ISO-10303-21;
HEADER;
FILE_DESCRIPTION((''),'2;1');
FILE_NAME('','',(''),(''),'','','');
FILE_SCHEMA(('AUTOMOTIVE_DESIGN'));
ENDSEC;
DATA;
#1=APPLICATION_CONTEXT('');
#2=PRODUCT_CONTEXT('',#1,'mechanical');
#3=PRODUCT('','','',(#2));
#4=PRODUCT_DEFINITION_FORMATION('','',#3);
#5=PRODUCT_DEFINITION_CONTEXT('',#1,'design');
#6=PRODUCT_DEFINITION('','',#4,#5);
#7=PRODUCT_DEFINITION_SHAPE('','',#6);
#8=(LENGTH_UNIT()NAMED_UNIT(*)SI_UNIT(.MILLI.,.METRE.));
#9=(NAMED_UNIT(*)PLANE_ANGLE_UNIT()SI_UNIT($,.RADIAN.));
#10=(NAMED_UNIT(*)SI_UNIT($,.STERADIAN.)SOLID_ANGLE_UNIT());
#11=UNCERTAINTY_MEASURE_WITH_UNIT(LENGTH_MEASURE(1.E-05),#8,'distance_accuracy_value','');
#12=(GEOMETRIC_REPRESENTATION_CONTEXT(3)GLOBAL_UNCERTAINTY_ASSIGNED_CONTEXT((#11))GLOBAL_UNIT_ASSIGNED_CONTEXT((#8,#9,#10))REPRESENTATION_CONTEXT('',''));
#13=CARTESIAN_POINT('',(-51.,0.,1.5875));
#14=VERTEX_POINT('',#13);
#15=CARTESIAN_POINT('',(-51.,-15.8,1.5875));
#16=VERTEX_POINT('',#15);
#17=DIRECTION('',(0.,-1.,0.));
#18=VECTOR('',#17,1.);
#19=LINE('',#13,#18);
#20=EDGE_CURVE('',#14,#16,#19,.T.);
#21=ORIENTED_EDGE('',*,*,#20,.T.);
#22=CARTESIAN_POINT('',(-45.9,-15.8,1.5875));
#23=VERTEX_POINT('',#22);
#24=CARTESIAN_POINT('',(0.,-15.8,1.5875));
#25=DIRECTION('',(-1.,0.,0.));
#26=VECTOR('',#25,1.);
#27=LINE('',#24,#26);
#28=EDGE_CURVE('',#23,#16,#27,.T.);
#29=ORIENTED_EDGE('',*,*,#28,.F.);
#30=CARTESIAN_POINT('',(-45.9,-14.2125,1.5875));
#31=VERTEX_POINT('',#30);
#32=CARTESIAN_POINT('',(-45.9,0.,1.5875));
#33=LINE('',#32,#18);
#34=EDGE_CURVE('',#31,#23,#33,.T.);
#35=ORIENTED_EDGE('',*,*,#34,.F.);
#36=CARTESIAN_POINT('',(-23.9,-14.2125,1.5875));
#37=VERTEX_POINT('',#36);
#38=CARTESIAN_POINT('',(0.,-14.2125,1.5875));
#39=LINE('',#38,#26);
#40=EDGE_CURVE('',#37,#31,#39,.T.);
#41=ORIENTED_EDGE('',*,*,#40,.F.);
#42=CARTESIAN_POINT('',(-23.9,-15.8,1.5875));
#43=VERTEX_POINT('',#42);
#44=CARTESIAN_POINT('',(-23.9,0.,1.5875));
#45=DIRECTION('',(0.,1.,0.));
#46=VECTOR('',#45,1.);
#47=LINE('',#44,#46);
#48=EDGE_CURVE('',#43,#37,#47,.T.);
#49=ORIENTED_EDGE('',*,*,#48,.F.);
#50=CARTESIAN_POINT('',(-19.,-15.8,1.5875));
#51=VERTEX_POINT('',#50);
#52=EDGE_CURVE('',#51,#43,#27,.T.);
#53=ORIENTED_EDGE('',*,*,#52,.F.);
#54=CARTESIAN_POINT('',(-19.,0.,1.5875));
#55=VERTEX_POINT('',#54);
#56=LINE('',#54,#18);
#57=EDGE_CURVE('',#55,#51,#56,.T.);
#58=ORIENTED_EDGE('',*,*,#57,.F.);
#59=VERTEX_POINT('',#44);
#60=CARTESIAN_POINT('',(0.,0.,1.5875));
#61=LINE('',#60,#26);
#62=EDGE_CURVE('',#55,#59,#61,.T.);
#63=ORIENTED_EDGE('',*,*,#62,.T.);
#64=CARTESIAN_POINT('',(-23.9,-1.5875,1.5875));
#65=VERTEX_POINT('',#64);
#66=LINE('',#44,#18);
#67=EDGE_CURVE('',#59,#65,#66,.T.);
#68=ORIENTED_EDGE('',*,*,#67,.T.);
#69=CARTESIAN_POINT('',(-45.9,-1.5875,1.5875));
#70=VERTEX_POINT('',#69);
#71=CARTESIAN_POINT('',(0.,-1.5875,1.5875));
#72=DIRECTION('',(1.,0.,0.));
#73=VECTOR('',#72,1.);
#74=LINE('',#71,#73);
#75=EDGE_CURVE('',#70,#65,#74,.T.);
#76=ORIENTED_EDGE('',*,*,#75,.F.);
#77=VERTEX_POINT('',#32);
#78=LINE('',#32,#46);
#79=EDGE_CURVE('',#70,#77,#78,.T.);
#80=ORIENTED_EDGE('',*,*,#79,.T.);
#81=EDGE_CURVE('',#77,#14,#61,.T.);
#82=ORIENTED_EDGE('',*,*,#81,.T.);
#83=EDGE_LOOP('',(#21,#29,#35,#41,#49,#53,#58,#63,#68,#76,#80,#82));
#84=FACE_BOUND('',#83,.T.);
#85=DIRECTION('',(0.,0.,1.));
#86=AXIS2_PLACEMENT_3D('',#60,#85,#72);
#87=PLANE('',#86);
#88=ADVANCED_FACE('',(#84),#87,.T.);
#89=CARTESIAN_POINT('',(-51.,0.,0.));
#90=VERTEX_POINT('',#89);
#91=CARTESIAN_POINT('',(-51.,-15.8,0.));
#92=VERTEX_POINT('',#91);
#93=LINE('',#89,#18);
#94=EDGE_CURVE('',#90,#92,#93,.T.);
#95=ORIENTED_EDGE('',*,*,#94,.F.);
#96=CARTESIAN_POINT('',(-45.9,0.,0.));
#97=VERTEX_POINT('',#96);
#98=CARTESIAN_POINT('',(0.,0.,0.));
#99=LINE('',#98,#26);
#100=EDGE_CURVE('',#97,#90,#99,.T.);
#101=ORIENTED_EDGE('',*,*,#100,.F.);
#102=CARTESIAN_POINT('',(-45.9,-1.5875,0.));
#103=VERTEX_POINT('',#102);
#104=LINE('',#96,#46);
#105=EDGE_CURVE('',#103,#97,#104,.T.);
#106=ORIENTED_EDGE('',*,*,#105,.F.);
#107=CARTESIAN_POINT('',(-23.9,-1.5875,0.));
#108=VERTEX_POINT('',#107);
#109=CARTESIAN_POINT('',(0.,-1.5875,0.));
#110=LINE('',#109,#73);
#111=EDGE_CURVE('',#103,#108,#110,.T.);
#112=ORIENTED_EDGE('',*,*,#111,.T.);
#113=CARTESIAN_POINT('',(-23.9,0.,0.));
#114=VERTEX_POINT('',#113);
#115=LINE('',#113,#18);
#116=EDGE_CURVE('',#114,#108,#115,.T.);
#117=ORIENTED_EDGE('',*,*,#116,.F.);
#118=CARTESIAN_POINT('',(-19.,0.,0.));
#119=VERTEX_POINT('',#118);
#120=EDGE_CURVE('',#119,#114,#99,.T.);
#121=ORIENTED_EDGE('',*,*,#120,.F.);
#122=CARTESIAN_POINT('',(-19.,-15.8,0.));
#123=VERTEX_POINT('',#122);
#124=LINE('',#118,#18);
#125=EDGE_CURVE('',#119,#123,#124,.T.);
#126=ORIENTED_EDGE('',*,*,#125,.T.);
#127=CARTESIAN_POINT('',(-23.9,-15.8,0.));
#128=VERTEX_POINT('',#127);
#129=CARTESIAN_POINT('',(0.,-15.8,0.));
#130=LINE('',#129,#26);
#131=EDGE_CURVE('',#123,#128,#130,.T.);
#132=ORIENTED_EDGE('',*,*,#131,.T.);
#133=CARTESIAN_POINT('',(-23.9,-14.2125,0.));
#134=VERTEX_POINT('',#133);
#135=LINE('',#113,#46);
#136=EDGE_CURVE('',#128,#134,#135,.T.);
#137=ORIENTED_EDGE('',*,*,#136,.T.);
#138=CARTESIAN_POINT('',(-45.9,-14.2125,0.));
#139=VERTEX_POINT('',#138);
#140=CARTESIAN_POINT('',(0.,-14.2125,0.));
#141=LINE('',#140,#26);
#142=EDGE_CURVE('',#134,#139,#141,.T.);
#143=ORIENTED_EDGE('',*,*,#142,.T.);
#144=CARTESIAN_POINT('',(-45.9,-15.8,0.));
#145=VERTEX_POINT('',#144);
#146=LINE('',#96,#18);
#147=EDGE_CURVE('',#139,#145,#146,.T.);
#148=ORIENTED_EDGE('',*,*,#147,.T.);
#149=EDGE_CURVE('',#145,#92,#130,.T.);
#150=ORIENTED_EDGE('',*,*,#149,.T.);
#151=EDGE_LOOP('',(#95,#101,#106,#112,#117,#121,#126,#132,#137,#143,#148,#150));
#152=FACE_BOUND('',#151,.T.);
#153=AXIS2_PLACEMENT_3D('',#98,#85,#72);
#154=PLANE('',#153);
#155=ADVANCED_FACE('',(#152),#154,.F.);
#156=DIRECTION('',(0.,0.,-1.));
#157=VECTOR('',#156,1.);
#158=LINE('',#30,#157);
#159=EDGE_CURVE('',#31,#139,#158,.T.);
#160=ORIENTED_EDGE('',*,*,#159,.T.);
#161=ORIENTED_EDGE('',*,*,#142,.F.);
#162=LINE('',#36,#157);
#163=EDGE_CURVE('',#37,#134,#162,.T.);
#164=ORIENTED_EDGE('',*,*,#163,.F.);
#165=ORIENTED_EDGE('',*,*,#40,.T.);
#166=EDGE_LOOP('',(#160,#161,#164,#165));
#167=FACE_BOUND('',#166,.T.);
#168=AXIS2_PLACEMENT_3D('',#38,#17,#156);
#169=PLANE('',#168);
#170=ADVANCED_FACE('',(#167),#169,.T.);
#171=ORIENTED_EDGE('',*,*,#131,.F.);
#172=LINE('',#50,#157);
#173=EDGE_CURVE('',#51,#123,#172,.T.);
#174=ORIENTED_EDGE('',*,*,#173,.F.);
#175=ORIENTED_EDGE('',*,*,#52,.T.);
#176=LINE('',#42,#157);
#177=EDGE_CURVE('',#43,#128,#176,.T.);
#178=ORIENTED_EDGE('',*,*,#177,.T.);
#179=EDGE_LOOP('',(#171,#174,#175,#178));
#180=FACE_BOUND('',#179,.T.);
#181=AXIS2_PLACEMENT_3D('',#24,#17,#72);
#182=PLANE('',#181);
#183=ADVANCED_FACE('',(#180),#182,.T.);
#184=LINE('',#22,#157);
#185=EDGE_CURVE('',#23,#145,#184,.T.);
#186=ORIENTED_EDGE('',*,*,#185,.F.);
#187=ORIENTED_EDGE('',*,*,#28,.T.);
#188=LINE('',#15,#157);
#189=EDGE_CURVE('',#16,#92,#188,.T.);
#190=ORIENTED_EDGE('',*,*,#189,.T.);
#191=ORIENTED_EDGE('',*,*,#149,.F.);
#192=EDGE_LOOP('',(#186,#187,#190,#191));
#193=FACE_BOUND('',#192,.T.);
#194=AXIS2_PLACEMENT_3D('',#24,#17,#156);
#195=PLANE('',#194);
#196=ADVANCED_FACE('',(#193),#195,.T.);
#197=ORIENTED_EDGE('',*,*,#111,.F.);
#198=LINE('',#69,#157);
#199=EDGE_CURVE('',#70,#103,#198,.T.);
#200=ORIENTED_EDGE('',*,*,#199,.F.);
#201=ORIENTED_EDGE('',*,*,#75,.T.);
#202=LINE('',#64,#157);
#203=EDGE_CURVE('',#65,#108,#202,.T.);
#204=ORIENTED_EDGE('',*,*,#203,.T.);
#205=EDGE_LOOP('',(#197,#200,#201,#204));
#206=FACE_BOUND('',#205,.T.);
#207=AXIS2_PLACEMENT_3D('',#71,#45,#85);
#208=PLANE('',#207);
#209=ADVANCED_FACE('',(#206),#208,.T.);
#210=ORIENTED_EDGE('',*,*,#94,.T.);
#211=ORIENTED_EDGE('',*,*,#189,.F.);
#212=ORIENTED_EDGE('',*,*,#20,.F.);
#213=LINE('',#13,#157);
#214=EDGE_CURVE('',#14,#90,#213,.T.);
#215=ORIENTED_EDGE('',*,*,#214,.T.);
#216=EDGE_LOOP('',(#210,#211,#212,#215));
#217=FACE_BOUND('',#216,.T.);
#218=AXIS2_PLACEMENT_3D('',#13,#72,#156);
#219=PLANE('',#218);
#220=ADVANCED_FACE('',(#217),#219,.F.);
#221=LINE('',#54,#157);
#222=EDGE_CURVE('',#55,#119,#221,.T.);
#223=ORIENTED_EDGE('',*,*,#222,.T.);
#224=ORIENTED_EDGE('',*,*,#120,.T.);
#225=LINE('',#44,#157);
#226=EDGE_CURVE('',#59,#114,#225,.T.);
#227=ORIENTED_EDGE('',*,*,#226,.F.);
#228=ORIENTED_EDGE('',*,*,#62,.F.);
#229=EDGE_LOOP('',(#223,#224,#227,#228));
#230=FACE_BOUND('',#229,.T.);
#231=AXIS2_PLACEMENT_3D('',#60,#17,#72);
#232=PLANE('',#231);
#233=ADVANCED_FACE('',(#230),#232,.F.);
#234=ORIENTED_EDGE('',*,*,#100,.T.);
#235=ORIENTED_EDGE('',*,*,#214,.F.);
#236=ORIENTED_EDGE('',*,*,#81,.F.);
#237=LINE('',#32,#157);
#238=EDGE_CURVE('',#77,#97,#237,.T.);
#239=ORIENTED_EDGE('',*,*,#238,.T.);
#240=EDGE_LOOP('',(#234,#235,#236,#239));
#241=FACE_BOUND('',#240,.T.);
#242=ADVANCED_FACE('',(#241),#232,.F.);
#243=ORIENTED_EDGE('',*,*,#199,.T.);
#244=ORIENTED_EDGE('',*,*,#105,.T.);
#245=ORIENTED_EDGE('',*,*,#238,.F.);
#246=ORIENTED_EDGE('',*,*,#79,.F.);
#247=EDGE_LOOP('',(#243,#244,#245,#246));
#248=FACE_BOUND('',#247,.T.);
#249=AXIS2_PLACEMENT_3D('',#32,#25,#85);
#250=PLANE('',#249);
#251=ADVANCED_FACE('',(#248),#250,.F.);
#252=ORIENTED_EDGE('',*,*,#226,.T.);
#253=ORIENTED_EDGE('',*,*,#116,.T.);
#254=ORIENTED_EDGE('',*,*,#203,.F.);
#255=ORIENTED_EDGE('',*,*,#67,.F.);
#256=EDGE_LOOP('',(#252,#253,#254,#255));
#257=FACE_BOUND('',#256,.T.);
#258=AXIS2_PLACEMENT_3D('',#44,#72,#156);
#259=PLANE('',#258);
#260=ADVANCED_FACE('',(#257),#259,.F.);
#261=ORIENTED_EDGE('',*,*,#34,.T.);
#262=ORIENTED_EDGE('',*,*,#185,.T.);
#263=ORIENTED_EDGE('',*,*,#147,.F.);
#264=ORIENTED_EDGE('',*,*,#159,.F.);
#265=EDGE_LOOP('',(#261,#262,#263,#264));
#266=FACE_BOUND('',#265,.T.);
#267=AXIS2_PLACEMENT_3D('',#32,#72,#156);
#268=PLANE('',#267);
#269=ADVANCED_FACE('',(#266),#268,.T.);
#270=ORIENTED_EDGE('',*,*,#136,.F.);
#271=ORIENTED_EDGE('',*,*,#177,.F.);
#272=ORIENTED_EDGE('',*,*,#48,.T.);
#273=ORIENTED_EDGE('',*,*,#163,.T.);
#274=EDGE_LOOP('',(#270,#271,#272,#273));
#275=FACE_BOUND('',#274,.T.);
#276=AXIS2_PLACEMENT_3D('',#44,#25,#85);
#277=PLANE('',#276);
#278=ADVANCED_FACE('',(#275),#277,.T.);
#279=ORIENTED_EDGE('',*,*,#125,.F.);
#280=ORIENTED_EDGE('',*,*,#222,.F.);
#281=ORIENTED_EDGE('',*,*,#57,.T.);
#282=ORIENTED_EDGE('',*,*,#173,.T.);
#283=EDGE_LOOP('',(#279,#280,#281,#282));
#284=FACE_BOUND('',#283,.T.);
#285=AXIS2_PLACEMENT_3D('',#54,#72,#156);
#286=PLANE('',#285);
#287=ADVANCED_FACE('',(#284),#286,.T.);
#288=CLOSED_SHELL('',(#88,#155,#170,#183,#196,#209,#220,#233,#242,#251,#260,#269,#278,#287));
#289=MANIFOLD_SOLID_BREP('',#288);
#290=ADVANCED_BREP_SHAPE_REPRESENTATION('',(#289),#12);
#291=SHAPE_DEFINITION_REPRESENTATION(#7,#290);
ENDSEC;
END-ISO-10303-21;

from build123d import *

# Parameters (mm, degrees)
SKETCH2_W           = 5.1
SKETCH2_H           = 1.5875
SKETCH2_W_2         = 4.9
BOSS_EXTRUDE1_DEPTH = 1.5875


with BuildPart() as part:
    # Sketch2 → Boss-Extrude1 (new body)
    with BuildSketch(Plane.XY):
        Polygon((-19, -7.9), (-51, -7.9), (-51, -14.2125), (-45.9, -14.2125), (-23.9, -14.2125), (-19, -14.2125), align=None)
        with Locations((-48.45, -15.00625)):
            Rectangle(SKETCH2_W, SKETCH2_H)
        Polygon((-23.9, -1.5875), (-45.9, -1.5875), (-51, -1.5875), (-51, -7.9), (-19, -7.9), (-19, -1.5875), align=None)
        with Locations((-48.45, -0.79375)):
            Rectangle(SKETCH2_W, SKETCH2_H)
        with Locations((-21.45, -0.79375)):
            Rectangle(SKETCH2_W_2, SKETCH2_H)
        with Locations((-21.45, -15.00625)):
            Rectangle(SKETCH2_W_2, SKETCH2_H)
    extrude(amount=BOSS_EXTRUDE1_DEPTH)


solid = part.part
